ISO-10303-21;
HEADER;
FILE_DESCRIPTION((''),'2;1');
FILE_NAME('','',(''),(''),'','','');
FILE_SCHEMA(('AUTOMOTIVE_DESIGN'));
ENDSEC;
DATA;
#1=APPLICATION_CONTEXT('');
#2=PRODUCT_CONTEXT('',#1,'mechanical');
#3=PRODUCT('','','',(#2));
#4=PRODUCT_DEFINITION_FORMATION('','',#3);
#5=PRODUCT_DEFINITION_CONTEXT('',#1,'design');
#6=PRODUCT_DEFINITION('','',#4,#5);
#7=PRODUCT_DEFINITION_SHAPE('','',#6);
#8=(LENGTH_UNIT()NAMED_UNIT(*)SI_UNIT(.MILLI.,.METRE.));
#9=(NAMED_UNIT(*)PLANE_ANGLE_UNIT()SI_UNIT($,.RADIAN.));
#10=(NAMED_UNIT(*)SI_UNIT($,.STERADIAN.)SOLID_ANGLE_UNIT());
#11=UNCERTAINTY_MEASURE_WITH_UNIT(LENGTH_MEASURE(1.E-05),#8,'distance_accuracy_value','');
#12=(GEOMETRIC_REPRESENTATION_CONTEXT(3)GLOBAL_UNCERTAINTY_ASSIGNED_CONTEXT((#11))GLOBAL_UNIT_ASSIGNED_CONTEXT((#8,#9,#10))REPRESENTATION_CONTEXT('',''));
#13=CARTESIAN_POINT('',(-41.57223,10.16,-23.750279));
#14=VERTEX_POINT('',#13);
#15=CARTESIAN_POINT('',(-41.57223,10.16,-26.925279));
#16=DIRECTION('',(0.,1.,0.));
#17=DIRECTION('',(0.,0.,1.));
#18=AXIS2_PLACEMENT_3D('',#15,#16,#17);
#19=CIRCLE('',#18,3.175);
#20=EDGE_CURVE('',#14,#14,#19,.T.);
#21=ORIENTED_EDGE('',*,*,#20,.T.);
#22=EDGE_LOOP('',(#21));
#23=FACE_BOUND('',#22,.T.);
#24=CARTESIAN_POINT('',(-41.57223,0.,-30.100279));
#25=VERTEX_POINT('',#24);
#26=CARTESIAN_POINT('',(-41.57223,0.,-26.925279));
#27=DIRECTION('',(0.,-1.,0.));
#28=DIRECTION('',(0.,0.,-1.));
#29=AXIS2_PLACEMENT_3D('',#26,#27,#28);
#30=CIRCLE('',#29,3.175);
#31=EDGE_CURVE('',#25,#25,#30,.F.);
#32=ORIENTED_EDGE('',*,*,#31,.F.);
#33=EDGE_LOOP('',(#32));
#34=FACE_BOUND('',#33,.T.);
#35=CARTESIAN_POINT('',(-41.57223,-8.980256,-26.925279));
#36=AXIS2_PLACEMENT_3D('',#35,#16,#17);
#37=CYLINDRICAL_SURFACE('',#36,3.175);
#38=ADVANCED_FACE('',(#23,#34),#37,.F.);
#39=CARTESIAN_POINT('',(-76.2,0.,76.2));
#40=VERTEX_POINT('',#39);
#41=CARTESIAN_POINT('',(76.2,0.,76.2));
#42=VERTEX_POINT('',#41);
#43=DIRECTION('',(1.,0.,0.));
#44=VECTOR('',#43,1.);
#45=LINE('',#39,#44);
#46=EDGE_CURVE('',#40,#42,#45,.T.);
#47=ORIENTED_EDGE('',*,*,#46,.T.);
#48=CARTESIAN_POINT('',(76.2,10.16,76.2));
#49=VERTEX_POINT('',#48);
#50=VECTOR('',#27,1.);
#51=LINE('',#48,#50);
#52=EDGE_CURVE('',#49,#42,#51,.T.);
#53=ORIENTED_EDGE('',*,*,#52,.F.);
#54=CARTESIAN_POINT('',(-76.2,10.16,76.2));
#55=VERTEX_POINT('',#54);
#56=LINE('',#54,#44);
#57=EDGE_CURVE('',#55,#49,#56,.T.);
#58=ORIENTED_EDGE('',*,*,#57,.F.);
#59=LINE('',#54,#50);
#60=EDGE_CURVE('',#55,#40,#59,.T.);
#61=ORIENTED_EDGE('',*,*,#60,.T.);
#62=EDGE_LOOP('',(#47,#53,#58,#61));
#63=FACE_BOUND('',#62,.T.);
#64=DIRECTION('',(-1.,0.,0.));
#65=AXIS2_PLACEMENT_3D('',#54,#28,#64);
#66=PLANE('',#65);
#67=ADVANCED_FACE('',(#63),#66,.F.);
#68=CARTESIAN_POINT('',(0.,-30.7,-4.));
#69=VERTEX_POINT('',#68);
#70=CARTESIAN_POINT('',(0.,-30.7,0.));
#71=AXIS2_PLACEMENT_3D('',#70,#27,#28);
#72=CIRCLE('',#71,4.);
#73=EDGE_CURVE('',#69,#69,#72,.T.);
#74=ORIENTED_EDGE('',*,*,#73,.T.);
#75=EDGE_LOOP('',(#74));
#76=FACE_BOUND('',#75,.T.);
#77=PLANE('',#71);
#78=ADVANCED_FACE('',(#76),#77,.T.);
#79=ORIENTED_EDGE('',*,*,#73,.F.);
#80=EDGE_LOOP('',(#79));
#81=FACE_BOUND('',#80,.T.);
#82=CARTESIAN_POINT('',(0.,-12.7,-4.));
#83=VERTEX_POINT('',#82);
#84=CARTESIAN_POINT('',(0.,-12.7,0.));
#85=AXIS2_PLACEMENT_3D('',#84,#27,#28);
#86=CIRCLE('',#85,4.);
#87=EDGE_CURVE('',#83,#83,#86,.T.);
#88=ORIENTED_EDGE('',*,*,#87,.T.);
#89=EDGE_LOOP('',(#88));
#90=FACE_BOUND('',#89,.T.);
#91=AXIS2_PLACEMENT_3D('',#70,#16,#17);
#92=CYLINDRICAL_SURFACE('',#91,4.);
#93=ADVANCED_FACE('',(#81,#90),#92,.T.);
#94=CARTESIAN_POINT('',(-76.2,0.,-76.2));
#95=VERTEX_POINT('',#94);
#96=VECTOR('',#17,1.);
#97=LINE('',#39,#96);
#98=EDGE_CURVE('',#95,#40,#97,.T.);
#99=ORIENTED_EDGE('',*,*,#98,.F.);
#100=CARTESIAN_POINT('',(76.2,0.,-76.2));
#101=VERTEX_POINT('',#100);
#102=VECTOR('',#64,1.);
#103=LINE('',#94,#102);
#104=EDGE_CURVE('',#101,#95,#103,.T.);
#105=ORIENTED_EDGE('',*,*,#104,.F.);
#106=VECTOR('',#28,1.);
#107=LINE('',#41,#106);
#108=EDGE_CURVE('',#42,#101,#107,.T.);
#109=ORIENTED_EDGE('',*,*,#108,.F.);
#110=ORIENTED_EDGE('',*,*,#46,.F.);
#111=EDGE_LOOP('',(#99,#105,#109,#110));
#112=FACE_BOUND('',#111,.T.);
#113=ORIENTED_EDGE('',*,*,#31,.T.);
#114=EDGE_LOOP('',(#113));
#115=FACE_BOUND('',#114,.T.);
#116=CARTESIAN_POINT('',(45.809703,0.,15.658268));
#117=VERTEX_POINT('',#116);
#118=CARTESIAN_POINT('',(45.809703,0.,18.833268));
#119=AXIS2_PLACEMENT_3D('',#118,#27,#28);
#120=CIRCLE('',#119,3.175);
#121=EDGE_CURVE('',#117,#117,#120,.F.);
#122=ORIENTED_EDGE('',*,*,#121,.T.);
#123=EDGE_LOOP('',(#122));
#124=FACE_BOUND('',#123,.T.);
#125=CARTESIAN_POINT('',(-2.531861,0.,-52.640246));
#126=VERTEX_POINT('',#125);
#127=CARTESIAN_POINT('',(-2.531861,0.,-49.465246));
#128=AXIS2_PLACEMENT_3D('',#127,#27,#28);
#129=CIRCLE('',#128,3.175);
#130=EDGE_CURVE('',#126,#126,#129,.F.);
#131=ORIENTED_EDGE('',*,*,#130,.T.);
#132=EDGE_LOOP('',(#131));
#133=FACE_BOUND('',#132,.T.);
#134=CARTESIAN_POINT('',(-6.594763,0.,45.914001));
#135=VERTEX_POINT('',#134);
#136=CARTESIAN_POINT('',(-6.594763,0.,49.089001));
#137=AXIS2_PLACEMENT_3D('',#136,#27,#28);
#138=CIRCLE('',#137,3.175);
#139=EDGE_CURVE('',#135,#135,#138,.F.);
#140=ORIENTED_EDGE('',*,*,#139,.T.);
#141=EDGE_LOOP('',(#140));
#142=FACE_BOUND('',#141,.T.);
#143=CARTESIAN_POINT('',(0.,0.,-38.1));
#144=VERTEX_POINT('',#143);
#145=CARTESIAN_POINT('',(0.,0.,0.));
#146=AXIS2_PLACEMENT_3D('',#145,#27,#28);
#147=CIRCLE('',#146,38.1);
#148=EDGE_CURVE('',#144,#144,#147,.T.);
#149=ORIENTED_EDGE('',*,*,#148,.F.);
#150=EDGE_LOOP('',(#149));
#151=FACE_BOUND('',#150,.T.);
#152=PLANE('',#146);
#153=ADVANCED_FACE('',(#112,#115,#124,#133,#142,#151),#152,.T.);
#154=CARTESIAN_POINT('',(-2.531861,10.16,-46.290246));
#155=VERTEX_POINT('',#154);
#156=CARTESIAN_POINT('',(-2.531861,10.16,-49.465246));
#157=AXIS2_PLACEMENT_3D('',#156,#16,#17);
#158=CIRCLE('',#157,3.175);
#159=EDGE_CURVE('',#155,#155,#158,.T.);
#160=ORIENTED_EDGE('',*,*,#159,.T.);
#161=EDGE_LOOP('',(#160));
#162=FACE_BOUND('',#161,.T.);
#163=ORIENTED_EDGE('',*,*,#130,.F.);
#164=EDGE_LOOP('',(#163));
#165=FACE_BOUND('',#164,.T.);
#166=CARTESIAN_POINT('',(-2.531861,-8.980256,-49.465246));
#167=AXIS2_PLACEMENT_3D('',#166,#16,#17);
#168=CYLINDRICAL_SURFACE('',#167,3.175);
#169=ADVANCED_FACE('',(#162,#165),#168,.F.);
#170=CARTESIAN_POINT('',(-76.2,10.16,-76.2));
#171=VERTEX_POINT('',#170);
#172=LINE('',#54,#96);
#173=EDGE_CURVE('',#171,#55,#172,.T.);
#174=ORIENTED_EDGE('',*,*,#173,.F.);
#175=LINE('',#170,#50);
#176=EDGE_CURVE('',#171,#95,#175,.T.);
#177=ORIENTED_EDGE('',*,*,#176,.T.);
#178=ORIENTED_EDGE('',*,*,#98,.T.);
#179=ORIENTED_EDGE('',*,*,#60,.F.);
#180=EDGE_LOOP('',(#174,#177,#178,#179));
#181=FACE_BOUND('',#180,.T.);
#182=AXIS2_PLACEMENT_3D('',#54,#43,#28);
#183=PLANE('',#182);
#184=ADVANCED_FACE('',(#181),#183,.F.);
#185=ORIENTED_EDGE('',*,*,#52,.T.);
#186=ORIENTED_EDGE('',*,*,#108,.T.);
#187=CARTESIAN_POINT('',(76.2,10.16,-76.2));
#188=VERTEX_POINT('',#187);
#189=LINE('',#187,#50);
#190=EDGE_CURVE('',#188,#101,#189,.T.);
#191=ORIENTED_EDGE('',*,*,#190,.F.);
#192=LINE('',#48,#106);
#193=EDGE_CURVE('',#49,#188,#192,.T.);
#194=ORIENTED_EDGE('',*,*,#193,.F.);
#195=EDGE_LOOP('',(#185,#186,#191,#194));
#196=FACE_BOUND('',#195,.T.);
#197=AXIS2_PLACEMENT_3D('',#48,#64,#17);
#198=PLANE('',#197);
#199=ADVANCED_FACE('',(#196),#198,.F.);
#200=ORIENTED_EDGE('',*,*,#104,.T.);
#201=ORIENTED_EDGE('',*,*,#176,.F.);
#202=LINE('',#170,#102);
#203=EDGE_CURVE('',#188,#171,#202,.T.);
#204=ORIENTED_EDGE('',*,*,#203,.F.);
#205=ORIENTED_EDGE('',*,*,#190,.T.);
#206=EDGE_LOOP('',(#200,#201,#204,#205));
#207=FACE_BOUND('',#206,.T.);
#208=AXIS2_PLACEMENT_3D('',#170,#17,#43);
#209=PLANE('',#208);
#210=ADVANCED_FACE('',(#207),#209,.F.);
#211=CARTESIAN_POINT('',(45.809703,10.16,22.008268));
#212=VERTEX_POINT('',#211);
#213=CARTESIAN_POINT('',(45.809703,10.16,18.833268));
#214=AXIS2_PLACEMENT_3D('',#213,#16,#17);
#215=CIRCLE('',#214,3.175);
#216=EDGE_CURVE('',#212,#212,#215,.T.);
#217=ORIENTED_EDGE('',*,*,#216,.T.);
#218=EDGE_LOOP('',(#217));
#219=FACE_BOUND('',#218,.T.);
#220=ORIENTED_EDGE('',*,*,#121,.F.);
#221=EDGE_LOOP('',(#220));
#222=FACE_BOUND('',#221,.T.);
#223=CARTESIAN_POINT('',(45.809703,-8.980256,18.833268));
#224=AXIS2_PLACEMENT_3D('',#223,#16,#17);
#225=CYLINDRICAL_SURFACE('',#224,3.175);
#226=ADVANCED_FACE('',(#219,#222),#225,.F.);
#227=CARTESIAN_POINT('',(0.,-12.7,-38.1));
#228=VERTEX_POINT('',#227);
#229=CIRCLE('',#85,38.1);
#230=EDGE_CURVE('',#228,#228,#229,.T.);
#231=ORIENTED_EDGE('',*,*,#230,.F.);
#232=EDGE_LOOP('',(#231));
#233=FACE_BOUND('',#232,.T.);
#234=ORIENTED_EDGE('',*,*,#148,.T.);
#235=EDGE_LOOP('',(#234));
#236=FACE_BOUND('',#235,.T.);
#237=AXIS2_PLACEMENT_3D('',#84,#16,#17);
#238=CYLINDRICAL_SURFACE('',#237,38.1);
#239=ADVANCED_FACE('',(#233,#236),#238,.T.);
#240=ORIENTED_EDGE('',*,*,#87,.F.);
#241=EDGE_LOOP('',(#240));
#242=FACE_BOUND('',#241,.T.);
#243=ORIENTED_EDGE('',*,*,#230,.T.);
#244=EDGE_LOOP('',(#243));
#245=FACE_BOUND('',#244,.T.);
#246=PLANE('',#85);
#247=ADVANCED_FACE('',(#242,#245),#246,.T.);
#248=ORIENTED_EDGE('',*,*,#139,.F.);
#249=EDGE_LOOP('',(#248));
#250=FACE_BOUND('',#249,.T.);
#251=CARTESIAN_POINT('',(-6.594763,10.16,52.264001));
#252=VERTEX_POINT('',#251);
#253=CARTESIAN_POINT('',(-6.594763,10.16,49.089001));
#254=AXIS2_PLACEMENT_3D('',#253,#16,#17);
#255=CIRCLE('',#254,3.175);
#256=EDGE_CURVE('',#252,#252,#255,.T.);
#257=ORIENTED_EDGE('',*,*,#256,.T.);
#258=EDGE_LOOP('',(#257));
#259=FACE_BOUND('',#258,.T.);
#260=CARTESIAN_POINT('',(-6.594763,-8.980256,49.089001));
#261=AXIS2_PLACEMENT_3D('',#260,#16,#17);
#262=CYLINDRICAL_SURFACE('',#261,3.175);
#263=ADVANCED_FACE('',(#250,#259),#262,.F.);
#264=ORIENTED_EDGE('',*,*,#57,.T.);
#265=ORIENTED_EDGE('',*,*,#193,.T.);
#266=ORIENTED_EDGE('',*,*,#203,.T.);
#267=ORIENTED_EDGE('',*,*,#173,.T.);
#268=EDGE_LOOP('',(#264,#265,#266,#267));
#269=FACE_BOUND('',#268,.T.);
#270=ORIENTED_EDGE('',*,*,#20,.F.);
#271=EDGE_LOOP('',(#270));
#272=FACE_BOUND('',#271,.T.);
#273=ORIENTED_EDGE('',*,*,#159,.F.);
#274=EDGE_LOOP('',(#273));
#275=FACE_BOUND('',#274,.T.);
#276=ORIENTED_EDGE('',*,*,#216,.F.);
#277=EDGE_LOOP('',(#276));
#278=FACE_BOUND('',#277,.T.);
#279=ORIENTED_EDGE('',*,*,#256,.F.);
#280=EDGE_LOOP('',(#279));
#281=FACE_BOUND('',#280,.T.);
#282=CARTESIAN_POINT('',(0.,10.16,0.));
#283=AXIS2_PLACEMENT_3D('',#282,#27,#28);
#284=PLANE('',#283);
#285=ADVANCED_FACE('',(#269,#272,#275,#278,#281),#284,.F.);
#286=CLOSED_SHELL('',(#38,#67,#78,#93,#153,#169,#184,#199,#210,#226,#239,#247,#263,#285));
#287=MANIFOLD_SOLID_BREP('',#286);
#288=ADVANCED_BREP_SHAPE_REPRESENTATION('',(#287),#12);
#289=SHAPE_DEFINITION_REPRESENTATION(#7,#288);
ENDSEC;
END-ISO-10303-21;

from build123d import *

# Parameters (mm, degrees)
SKETCH1_W           = 152.4
SKETCH1_H           = 152.4
BOSS_EXTRUDE1_DEPTH = 10.16
SKETCH3_R           = 38.1
BOSS_EXTRUDE3_DEPTH = 12.7
SKETCH4_R           = 4
BOSS_EXTRUDE4_DEPTH = 18
SKETCH7_R           = 3.175
CUT_EXTRUDE2_DEPTH  = 10.16


with BuildPart() as part:
    # Sketch1 → Boss-Extrude1 (new body)
    with BuildSketch(Plane(origin=(0, 0, 0), x_dir=(1, 0, 0), z_dir=(0, 1, 0))):
        Rectangle(SKETCH1_W, SKETCH1_H)
    extrude(amount=BOSS_EXTRUDE1_DEPTH)

    # Sketch3 → Boss-Extrude3 (add)
    with BuildSketch(Plane.XZ):
        with Locations(Location((0, 0, 0), (0, 0, 270))):
            Circle(SKETCH3_R)
    extrude(amount=BOSS_EXTRUDE3_DEPTH)

    # Sketch4 → Boss-Extrude4 (add)
    with BuildSketch(Plane.XZ.offset(12.7)):
        with Locations(Location((0, 0, 0), (0, 0, 270))):
            Circle(SKETCH4_R)
    extrude(amount=BOSS_EXTRUDE4_DEPTH)

    # Sketch7 → Cut-Extrude2 (cut)
    with BuildSketch(Plane(origin=(0, 10.16, 0), x_dir=(1, 0, 0), z_dir=(0, 1, 0))):
        with Locations(Location((-41.57222955, 26.925278647, 0), (0, 0, 270))):
            Circle(SKETCH7_R)
        with Locations(Location((-2.531860538, 49.465246206, 0), (0, 0, 270))):
            Circle(SKETCH7_R)
        with Locations(Location((-6.594762938, -49.089000823, 0), (0, 0, 270))):
            Circle(SKETCH7_R)
        with Locations(Location((45.809703228, -18.833268175, 0), (0, 0, 270))):
            Circle(SKETCH7_R)
    extrude(amount=-CUT_EXTRUDE2_DEPTH, mode=Mode.SUBTRACT)


solid = part.part
